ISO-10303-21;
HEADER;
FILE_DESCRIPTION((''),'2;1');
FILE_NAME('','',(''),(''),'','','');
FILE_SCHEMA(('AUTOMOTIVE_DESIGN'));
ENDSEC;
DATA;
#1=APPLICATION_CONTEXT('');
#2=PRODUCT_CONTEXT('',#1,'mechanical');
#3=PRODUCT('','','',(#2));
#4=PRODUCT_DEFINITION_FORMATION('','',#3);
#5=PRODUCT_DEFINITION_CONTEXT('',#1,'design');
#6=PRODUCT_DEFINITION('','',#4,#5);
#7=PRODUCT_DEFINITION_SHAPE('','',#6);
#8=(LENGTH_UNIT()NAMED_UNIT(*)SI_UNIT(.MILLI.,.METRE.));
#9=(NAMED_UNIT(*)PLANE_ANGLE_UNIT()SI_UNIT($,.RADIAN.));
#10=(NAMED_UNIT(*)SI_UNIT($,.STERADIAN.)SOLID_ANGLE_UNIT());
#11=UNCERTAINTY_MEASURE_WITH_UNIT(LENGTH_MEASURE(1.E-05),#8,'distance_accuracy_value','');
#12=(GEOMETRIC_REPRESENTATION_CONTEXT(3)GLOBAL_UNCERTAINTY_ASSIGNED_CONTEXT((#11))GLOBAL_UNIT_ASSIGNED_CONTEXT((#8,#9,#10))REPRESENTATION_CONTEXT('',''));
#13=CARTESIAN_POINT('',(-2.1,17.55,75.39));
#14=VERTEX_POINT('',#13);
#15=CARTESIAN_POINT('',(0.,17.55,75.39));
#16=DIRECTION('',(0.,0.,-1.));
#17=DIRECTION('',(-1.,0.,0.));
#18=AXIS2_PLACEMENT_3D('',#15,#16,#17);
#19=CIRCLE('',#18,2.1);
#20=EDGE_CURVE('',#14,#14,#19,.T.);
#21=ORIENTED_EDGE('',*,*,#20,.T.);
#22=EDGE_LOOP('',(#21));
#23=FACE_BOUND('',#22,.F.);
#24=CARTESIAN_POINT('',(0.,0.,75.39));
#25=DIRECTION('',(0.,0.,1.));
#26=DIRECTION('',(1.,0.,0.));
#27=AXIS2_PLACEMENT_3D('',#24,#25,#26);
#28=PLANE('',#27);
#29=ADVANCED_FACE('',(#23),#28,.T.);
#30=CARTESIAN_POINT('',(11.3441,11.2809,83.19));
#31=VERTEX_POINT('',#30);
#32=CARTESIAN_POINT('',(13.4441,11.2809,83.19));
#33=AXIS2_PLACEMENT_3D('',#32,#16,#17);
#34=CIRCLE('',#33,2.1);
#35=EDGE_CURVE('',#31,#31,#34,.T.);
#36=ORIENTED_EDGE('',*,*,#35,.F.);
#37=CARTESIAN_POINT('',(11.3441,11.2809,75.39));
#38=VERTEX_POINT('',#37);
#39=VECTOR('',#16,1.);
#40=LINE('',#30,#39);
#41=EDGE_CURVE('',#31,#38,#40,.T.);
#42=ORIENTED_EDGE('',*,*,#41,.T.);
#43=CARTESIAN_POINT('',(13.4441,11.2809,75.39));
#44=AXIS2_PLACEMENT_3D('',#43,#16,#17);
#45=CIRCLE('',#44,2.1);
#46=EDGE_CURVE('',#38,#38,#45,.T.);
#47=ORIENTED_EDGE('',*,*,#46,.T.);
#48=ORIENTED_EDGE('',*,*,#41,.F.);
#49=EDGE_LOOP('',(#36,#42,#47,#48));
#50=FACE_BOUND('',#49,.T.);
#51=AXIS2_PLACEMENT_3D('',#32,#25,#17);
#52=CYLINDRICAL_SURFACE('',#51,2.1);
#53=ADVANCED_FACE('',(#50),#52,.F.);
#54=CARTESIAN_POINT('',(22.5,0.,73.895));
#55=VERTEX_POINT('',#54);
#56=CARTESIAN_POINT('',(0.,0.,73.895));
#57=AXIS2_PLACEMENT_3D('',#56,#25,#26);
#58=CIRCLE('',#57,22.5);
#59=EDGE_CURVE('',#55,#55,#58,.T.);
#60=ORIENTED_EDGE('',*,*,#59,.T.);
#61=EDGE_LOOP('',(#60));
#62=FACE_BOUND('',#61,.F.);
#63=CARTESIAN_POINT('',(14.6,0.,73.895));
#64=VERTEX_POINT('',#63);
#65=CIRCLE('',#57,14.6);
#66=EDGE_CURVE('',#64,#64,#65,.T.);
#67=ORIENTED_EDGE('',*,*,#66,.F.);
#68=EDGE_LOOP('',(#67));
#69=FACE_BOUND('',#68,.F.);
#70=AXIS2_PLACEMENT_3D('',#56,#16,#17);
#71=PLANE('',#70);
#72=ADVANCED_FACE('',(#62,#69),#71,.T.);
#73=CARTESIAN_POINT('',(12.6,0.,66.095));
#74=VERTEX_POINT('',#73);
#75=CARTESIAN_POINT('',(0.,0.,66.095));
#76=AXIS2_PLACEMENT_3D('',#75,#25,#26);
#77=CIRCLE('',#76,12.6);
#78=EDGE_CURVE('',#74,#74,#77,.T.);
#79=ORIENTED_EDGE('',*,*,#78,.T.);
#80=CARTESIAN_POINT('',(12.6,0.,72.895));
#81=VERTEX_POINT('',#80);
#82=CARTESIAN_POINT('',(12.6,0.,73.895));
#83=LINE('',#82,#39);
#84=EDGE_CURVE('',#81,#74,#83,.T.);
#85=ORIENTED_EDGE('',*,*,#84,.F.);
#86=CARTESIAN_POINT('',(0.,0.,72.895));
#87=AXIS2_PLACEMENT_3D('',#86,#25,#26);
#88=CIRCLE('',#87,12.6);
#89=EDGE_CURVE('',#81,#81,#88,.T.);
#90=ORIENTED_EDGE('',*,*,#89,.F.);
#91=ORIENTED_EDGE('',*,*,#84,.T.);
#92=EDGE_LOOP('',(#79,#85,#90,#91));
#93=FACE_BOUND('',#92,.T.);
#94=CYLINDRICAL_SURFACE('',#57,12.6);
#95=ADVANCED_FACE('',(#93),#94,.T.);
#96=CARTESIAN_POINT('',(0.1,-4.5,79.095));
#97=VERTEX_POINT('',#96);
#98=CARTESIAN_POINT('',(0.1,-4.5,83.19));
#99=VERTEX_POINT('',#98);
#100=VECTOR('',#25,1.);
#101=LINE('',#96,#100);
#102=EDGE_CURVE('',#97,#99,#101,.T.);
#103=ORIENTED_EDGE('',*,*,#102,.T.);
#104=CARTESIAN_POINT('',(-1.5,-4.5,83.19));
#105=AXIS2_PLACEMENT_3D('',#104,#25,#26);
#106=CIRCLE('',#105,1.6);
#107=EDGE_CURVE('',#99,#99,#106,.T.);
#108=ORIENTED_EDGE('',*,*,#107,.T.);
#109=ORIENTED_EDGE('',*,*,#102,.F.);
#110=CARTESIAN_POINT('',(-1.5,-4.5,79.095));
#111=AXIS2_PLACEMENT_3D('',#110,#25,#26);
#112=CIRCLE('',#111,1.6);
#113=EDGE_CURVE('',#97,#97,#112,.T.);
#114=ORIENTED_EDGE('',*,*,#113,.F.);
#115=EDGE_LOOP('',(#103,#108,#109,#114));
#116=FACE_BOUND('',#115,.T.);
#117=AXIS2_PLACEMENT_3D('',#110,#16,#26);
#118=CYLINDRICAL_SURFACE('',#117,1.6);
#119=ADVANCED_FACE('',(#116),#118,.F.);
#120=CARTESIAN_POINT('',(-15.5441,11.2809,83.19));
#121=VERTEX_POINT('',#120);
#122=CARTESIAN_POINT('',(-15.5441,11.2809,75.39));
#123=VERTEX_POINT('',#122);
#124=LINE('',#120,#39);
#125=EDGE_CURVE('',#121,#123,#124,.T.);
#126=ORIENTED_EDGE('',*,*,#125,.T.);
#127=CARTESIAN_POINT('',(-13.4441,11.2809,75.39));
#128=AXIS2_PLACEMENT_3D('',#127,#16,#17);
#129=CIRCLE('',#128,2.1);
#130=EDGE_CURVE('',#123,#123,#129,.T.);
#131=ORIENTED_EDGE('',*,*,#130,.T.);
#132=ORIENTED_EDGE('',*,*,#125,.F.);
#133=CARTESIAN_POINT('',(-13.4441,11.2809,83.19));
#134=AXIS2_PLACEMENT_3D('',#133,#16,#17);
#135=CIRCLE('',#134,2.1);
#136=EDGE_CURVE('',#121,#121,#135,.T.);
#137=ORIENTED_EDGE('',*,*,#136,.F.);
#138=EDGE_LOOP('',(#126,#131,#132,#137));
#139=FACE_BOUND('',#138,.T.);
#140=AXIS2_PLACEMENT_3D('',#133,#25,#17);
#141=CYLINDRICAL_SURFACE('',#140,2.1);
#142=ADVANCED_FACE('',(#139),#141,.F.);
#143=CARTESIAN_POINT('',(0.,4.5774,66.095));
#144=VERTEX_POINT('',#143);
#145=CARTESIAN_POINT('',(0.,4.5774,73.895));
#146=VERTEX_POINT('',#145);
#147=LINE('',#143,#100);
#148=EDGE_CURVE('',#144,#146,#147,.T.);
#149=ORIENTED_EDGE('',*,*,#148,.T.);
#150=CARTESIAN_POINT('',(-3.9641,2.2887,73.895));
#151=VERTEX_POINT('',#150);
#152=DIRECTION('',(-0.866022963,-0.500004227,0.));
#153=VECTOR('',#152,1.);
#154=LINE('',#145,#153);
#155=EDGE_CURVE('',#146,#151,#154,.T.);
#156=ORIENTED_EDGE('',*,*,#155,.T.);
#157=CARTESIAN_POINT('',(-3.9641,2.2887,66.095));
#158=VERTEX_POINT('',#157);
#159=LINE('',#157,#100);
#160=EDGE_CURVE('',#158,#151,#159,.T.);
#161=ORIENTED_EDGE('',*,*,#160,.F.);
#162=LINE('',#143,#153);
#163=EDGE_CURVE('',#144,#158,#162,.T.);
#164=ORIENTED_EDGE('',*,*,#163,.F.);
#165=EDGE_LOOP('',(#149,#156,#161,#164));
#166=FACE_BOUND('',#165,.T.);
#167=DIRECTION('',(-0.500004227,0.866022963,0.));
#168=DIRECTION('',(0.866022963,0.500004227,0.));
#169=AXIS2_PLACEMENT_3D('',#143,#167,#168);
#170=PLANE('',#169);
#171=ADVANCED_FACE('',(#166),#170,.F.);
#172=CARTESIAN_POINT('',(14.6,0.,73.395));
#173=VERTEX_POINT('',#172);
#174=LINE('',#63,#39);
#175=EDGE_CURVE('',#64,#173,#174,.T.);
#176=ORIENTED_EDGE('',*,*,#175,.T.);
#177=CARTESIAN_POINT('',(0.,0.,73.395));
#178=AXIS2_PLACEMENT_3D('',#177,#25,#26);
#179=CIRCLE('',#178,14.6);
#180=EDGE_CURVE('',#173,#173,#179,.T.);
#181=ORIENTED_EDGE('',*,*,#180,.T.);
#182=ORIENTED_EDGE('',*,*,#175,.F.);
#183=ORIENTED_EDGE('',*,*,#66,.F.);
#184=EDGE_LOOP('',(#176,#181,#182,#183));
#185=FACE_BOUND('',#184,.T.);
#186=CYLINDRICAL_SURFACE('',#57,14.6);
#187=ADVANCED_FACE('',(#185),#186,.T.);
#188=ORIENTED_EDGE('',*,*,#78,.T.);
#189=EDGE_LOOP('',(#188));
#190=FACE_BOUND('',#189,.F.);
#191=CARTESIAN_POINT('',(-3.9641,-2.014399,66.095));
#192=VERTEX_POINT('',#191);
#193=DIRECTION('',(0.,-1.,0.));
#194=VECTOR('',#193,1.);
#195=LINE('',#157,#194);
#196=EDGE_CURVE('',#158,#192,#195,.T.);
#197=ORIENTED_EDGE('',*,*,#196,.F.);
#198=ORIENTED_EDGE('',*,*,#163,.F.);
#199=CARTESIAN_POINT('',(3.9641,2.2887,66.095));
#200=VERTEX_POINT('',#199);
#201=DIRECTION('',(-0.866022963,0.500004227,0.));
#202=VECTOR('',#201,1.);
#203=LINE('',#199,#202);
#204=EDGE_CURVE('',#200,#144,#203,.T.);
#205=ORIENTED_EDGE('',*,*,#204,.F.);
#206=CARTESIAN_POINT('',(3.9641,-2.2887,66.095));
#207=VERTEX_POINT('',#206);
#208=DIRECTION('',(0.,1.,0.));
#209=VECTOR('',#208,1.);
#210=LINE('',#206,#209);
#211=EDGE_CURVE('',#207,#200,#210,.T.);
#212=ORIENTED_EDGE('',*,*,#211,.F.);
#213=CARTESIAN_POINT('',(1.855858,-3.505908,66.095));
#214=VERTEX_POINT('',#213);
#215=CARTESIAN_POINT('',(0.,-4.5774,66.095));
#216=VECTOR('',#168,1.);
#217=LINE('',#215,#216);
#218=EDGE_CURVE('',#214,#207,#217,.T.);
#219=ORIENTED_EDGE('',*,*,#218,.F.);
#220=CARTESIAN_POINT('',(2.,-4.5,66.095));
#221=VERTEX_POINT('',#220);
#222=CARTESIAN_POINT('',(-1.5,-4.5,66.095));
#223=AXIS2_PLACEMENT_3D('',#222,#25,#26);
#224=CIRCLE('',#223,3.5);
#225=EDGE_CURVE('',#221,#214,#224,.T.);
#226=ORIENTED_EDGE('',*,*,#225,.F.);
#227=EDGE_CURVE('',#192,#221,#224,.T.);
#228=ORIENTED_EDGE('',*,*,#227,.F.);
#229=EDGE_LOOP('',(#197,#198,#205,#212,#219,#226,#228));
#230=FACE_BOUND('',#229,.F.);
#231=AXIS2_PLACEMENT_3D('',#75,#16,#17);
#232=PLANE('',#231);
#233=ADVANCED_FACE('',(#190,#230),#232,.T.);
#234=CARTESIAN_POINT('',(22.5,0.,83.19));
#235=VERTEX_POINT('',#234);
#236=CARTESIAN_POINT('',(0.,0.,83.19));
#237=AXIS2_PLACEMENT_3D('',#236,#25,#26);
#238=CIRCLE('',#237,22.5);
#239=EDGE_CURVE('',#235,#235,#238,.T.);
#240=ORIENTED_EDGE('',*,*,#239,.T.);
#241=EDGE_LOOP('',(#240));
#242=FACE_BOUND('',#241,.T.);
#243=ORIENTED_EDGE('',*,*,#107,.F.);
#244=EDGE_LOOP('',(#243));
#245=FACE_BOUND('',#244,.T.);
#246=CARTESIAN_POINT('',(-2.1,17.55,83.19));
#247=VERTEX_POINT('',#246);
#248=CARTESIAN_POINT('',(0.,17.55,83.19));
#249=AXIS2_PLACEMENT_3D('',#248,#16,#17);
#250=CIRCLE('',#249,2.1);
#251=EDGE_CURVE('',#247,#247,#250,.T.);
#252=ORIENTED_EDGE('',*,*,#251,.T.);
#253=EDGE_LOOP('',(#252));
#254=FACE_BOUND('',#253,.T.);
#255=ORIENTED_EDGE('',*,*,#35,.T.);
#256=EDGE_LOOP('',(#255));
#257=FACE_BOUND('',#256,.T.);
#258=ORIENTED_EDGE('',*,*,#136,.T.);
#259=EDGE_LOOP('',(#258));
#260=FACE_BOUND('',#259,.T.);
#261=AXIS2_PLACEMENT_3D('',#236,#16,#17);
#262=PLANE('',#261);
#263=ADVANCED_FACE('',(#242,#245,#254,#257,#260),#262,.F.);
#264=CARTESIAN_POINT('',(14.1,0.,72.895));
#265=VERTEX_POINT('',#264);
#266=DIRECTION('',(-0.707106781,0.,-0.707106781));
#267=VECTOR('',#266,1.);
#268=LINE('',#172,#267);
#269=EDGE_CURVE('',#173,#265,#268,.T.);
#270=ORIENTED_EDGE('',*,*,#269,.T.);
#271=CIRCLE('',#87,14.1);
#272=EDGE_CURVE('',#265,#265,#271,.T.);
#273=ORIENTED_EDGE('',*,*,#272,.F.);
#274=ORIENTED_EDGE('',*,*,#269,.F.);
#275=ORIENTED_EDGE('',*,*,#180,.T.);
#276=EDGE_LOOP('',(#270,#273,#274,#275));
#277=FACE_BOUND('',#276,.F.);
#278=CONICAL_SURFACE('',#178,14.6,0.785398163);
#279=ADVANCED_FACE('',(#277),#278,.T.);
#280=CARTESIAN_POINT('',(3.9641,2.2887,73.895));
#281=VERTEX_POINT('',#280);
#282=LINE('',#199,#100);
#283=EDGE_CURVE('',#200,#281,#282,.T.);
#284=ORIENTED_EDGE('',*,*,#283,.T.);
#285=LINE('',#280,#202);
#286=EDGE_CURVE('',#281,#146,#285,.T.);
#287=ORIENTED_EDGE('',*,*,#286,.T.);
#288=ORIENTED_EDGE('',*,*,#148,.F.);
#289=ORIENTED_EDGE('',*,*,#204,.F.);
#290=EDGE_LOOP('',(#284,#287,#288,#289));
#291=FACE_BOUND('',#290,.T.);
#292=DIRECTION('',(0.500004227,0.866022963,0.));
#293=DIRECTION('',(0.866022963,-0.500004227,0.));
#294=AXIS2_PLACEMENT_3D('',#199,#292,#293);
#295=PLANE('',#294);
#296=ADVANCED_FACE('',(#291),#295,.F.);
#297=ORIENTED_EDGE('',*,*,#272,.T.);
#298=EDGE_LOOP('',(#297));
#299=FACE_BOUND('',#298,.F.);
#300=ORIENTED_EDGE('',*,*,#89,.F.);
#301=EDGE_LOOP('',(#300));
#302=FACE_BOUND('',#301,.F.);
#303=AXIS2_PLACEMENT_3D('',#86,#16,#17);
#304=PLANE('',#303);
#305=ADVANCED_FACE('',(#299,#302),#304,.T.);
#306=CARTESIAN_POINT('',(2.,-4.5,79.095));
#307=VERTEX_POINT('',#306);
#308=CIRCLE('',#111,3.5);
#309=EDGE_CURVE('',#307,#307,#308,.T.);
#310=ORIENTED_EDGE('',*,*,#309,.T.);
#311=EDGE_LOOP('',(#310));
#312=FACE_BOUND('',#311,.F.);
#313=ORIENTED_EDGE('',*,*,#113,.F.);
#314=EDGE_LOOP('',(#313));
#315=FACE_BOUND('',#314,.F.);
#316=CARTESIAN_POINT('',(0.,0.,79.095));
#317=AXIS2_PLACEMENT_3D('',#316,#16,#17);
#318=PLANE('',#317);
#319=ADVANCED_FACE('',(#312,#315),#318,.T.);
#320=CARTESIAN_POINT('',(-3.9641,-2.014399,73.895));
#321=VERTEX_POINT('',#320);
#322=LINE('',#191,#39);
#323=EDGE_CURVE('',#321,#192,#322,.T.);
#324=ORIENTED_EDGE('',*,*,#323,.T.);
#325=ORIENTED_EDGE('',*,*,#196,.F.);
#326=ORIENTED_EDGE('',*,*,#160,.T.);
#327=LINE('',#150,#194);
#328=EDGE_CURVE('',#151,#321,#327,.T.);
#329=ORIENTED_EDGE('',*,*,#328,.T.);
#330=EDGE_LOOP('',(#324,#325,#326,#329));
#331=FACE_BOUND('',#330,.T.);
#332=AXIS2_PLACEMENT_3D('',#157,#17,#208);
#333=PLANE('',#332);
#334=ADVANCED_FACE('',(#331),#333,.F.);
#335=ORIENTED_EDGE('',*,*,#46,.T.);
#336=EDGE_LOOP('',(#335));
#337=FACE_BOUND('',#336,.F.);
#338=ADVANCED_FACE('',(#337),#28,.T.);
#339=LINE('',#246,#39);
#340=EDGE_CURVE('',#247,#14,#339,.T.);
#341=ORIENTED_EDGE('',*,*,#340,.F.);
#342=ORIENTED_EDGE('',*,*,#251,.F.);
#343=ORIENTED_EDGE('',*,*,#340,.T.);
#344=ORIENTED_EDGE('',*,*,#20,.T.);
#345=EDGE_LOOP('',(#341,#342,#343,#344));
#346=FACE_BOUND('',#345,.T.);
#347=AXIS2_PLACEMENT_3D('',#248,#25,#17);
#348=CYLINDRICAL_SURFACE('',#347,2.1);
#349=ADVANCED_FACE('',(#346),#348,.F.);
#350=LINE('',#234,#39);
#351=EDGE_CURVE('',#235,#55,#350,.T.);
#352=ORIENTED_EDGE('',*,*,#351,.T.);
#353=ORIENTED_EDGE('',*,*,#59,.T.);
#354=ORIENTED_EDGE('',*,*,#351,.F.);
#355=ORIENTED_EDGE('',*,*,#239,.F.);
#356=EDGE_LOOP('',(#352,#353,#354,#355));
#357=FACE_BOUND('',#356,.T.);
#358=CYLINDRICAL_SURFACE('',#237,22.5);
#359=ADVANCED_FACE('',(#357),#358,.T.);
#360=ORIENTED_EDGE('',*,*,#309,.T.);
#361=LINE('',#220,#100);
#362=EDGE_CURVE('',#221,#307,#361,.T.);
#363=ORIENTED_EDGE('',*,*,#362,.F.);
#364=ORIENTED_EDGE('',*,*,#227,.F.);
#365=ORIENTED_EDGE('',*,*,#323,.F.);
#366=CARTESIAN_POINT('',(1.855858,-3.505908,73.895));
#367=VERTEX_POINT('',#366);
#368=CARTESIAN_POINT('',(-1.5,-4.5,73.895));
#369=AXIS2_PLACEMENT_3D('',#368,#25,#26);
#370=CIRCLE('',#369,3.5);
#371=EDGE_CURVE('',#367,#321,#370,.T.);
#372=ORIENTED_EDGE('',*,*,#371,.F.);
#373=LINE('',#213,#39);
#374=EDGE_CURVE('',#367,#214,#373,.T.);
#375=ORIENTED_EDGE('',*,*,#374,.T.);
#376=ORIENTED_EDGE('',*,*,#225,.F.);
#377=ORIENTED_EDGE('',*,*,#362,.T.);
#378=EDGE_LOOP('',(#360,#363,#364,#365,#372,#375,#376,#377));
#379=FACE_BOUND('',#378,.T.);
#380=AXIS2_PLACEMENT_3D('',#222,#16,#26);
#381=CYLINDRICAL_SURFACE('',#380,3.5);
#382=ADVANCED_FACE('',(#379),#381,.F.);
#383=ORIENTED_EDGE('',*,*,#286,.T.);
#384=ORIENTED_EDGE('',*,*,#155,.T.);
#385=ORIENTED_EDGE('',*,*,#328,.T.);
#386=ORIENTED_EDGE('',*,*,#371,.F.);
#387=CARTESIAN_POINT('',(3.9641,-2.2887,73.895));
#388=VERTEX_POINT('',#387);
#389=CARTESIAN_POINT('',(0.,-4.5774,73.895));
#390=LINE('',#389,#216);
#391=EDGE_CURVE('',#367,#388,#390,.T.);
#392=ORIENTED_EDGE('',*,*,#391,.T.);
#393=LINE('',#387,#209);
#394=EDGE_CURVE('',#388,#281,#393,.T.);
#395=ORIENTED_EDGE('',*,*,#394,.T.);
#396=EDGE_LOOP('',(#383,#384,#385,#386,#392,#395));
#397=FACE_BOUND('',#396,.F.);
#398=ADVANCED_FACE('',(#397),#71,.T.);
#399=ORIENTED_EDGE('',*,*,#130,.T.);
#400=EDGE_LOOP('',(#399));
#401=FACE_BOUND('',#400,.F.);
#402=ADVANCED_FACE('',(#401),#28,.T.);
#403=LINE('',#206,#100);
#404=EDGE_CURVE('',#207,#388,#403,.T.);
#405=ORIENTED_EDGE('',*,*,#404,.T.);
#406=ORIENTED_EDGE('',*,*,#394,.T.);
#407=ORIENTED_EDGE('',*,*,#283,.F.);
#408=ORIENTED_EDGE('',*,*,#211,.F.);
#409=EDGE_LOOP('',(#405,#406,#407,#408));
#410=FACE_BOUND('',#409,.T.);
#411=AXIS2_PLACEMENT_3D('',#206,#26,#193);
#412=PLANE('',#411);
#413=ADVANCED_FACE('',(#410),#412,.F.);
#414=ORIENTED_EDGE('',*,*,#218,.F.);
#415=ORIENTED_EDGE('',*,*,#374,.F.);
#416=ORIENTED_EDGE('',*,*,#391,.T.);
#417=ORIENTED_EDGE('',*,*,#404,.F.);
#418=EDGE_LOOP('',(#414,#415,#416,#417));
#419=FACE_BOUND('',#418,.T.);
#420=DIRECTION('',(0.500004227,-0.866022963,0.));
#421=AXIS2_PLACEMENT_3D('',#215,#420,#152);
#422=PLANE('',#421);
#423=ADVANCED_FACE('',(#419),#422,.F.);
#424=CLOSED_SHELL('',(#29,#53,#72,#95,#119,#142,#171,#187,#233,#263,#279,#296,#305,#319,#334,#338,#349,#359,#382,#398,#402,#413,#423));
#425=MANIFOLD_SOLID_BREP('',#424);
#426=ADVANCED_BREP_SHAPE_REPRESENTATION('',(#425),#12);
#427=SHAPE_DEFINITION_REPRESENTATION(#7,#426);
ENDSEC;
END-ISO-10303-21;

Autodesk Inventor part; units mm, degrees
ref_plane "YZ Plane" through (0, 0, 0) normal (1, 0, 0) x (0, 1, 0)
ref_plane "XZ Plane" through (0, 0, 0) normal (0, 1, 0) x (-1, 0, 0)
ref_plane "XY Plane" through (0, 0, 0) normal (0, 0, 1) x (1, 0, 0)
sketch "Эскиз1" plane through (0, 0, 0) normal (0, 0, 1) x (1, 0, 0)
  circle A0 centre (0, 0) radius 22.5
  dimension "d0" = 45
extrude "Выдавливание1" add sketch "Эскиз1" along normal blind 9.295
sketch "Эскиз2" plane through (0, 0, 9.295) normal (0, 0, 1) x (1, 0, 0)
  circle A0 centre (0, 0) radius 12.6
  dimension "d3" = 25.2
extrude "Выдавливание2" add sketch "Эскиз2" along normal blind 7.8
sketch "Эскиз3" plane through (0, 0, 9.295) normal (0, 0, 1) x (1, 0, 0)
  circle A0 centre (0, 0) radius 12.6 projected
  circle A1 centre (0, 0) radius 22.5 projected
  circle A2 centre (0, 0) radius 14.6
  dimension "d6" = 2
extrude "Выдавливание3" add sketch "Эскиз3" along normal blind 1 contours A2
chamfer "Фаска1" distance 0.5 angle 45 1 edges at (-14.6, 0, 10.295)
sketch "Эскиз4" plane through (0, 0, 17.095) normal (0, 0, 1) x (1, 0, 0)
  line L0 (0, 0) -> (0, 4)
  line L1 (0, 4) -> (3.4641, 2)
  line L2 (3.4641, 2) -> (3.4641, -2)
  line L3 (3.4641, -2) -> (0, -4)
  line L4 (0, -4) -> (-3.4641, -2)
  line L5 (-3.4641, -2) -> (-3.4641, 2)
  line L6 (-3.4641, 2) -> (0, 4)
  line L7 (3.9641, 2.2887) -> (0, 4.5774)
  line L8 (0, 4.5774) -> (-3.9641, 2.2887)
  line L9 (-3.9641, 2.2887) -> (-3.9641, -2.2887)
  line L10 (-3.9641, -2.2887) -> (0, -4.5774)
  line L11 (0, -4.5774) -> (3.9641, -2.2887)
  line L12 (3.9641, -2.2887) -> (3.9641, 2.2887)
  dimension "d12" = 4
  dimension "d13" = 0.5
extrude "Выдавливание4" cut sketch "Эскиз4" against normal blind 7.8 contours L1 L2 L3 L4 L5 L6 | L12 L11 L10 L9 L8 L7
sketch "Эскиз5" plane through (0, 0, 0) normal (0, 0, -1) x (-1, 0, 0)
  circle A0 centre (13.4441, 11.2809) radius 1.5 projected
  circle A1 centre (0, 17.55) radius 1.5 projected
  circle A2 centre (-13.4441, 11.2809) radius 1.5 projected
  circle A3 centre (13.4441, 11.2809) radius 2.1
  circle A4 centre (0, 17.55) radius 2.1
  circle A5 centre (-13.4441, 11.2809) radius 2.1
  point P0 (0, 0)
  dimension "d16" = 4.2
  dimension "d17" = 4.2
  dimension "d18" = 4.2
extrude "Выдавливание5" cut sketch "Эскиз5" against normal blind 7.8 contours A0 | A1 | A2 | A3 | A4 | A5
sketch "Эскиз6" plane through (0, 0, 17.095) normal (0, 0, 1) x (1, 0, 0)
  circle A0 centre (-1.5, -4.5) radius 1.5 projected
  circle A1 centre (-1.5, -4.5) radius 3.5
  point P0 (0, 0)
  dimension "d21" = 7
extrude "Выдавливание6" cut sketch "Эскиз6" against normal blind 13 contours A0 | A1
sketch "Эскиз7" plane through (-1.5, -4.5, 4.095) normal (0, 0, 1) x (1, 0, 0)
  circle A0 centre (0, 0) radius 3.5 projected
  circle A1 centre (0, 0) radius 1.6
  point P0 (1.5, 4.5)
  dimension "d24" = 3.2
extrude "Выдавливание7" cut sketch "Эскиз7" against normal blind 13 contours A1
ref_plane "РабПлоскость1" through (0, 0, 41.595) normal (0, 0, 1) x (1, 0, 0)
mirror "Зеркальное отражение1" about plane through (0, 0, 41.595) normal (0, 0, 1)
sketch "Эскиз8" plane through (0, 0, 0) normal (0, 0, -1) x (-1, 0, 0)
  circle A0 centre (0, 0) radius 38.8283
extrude "Выдавливание8" cut sketch "Эскиз8" against normal blind 20
properties part number "wheel_fixator_mirror"
